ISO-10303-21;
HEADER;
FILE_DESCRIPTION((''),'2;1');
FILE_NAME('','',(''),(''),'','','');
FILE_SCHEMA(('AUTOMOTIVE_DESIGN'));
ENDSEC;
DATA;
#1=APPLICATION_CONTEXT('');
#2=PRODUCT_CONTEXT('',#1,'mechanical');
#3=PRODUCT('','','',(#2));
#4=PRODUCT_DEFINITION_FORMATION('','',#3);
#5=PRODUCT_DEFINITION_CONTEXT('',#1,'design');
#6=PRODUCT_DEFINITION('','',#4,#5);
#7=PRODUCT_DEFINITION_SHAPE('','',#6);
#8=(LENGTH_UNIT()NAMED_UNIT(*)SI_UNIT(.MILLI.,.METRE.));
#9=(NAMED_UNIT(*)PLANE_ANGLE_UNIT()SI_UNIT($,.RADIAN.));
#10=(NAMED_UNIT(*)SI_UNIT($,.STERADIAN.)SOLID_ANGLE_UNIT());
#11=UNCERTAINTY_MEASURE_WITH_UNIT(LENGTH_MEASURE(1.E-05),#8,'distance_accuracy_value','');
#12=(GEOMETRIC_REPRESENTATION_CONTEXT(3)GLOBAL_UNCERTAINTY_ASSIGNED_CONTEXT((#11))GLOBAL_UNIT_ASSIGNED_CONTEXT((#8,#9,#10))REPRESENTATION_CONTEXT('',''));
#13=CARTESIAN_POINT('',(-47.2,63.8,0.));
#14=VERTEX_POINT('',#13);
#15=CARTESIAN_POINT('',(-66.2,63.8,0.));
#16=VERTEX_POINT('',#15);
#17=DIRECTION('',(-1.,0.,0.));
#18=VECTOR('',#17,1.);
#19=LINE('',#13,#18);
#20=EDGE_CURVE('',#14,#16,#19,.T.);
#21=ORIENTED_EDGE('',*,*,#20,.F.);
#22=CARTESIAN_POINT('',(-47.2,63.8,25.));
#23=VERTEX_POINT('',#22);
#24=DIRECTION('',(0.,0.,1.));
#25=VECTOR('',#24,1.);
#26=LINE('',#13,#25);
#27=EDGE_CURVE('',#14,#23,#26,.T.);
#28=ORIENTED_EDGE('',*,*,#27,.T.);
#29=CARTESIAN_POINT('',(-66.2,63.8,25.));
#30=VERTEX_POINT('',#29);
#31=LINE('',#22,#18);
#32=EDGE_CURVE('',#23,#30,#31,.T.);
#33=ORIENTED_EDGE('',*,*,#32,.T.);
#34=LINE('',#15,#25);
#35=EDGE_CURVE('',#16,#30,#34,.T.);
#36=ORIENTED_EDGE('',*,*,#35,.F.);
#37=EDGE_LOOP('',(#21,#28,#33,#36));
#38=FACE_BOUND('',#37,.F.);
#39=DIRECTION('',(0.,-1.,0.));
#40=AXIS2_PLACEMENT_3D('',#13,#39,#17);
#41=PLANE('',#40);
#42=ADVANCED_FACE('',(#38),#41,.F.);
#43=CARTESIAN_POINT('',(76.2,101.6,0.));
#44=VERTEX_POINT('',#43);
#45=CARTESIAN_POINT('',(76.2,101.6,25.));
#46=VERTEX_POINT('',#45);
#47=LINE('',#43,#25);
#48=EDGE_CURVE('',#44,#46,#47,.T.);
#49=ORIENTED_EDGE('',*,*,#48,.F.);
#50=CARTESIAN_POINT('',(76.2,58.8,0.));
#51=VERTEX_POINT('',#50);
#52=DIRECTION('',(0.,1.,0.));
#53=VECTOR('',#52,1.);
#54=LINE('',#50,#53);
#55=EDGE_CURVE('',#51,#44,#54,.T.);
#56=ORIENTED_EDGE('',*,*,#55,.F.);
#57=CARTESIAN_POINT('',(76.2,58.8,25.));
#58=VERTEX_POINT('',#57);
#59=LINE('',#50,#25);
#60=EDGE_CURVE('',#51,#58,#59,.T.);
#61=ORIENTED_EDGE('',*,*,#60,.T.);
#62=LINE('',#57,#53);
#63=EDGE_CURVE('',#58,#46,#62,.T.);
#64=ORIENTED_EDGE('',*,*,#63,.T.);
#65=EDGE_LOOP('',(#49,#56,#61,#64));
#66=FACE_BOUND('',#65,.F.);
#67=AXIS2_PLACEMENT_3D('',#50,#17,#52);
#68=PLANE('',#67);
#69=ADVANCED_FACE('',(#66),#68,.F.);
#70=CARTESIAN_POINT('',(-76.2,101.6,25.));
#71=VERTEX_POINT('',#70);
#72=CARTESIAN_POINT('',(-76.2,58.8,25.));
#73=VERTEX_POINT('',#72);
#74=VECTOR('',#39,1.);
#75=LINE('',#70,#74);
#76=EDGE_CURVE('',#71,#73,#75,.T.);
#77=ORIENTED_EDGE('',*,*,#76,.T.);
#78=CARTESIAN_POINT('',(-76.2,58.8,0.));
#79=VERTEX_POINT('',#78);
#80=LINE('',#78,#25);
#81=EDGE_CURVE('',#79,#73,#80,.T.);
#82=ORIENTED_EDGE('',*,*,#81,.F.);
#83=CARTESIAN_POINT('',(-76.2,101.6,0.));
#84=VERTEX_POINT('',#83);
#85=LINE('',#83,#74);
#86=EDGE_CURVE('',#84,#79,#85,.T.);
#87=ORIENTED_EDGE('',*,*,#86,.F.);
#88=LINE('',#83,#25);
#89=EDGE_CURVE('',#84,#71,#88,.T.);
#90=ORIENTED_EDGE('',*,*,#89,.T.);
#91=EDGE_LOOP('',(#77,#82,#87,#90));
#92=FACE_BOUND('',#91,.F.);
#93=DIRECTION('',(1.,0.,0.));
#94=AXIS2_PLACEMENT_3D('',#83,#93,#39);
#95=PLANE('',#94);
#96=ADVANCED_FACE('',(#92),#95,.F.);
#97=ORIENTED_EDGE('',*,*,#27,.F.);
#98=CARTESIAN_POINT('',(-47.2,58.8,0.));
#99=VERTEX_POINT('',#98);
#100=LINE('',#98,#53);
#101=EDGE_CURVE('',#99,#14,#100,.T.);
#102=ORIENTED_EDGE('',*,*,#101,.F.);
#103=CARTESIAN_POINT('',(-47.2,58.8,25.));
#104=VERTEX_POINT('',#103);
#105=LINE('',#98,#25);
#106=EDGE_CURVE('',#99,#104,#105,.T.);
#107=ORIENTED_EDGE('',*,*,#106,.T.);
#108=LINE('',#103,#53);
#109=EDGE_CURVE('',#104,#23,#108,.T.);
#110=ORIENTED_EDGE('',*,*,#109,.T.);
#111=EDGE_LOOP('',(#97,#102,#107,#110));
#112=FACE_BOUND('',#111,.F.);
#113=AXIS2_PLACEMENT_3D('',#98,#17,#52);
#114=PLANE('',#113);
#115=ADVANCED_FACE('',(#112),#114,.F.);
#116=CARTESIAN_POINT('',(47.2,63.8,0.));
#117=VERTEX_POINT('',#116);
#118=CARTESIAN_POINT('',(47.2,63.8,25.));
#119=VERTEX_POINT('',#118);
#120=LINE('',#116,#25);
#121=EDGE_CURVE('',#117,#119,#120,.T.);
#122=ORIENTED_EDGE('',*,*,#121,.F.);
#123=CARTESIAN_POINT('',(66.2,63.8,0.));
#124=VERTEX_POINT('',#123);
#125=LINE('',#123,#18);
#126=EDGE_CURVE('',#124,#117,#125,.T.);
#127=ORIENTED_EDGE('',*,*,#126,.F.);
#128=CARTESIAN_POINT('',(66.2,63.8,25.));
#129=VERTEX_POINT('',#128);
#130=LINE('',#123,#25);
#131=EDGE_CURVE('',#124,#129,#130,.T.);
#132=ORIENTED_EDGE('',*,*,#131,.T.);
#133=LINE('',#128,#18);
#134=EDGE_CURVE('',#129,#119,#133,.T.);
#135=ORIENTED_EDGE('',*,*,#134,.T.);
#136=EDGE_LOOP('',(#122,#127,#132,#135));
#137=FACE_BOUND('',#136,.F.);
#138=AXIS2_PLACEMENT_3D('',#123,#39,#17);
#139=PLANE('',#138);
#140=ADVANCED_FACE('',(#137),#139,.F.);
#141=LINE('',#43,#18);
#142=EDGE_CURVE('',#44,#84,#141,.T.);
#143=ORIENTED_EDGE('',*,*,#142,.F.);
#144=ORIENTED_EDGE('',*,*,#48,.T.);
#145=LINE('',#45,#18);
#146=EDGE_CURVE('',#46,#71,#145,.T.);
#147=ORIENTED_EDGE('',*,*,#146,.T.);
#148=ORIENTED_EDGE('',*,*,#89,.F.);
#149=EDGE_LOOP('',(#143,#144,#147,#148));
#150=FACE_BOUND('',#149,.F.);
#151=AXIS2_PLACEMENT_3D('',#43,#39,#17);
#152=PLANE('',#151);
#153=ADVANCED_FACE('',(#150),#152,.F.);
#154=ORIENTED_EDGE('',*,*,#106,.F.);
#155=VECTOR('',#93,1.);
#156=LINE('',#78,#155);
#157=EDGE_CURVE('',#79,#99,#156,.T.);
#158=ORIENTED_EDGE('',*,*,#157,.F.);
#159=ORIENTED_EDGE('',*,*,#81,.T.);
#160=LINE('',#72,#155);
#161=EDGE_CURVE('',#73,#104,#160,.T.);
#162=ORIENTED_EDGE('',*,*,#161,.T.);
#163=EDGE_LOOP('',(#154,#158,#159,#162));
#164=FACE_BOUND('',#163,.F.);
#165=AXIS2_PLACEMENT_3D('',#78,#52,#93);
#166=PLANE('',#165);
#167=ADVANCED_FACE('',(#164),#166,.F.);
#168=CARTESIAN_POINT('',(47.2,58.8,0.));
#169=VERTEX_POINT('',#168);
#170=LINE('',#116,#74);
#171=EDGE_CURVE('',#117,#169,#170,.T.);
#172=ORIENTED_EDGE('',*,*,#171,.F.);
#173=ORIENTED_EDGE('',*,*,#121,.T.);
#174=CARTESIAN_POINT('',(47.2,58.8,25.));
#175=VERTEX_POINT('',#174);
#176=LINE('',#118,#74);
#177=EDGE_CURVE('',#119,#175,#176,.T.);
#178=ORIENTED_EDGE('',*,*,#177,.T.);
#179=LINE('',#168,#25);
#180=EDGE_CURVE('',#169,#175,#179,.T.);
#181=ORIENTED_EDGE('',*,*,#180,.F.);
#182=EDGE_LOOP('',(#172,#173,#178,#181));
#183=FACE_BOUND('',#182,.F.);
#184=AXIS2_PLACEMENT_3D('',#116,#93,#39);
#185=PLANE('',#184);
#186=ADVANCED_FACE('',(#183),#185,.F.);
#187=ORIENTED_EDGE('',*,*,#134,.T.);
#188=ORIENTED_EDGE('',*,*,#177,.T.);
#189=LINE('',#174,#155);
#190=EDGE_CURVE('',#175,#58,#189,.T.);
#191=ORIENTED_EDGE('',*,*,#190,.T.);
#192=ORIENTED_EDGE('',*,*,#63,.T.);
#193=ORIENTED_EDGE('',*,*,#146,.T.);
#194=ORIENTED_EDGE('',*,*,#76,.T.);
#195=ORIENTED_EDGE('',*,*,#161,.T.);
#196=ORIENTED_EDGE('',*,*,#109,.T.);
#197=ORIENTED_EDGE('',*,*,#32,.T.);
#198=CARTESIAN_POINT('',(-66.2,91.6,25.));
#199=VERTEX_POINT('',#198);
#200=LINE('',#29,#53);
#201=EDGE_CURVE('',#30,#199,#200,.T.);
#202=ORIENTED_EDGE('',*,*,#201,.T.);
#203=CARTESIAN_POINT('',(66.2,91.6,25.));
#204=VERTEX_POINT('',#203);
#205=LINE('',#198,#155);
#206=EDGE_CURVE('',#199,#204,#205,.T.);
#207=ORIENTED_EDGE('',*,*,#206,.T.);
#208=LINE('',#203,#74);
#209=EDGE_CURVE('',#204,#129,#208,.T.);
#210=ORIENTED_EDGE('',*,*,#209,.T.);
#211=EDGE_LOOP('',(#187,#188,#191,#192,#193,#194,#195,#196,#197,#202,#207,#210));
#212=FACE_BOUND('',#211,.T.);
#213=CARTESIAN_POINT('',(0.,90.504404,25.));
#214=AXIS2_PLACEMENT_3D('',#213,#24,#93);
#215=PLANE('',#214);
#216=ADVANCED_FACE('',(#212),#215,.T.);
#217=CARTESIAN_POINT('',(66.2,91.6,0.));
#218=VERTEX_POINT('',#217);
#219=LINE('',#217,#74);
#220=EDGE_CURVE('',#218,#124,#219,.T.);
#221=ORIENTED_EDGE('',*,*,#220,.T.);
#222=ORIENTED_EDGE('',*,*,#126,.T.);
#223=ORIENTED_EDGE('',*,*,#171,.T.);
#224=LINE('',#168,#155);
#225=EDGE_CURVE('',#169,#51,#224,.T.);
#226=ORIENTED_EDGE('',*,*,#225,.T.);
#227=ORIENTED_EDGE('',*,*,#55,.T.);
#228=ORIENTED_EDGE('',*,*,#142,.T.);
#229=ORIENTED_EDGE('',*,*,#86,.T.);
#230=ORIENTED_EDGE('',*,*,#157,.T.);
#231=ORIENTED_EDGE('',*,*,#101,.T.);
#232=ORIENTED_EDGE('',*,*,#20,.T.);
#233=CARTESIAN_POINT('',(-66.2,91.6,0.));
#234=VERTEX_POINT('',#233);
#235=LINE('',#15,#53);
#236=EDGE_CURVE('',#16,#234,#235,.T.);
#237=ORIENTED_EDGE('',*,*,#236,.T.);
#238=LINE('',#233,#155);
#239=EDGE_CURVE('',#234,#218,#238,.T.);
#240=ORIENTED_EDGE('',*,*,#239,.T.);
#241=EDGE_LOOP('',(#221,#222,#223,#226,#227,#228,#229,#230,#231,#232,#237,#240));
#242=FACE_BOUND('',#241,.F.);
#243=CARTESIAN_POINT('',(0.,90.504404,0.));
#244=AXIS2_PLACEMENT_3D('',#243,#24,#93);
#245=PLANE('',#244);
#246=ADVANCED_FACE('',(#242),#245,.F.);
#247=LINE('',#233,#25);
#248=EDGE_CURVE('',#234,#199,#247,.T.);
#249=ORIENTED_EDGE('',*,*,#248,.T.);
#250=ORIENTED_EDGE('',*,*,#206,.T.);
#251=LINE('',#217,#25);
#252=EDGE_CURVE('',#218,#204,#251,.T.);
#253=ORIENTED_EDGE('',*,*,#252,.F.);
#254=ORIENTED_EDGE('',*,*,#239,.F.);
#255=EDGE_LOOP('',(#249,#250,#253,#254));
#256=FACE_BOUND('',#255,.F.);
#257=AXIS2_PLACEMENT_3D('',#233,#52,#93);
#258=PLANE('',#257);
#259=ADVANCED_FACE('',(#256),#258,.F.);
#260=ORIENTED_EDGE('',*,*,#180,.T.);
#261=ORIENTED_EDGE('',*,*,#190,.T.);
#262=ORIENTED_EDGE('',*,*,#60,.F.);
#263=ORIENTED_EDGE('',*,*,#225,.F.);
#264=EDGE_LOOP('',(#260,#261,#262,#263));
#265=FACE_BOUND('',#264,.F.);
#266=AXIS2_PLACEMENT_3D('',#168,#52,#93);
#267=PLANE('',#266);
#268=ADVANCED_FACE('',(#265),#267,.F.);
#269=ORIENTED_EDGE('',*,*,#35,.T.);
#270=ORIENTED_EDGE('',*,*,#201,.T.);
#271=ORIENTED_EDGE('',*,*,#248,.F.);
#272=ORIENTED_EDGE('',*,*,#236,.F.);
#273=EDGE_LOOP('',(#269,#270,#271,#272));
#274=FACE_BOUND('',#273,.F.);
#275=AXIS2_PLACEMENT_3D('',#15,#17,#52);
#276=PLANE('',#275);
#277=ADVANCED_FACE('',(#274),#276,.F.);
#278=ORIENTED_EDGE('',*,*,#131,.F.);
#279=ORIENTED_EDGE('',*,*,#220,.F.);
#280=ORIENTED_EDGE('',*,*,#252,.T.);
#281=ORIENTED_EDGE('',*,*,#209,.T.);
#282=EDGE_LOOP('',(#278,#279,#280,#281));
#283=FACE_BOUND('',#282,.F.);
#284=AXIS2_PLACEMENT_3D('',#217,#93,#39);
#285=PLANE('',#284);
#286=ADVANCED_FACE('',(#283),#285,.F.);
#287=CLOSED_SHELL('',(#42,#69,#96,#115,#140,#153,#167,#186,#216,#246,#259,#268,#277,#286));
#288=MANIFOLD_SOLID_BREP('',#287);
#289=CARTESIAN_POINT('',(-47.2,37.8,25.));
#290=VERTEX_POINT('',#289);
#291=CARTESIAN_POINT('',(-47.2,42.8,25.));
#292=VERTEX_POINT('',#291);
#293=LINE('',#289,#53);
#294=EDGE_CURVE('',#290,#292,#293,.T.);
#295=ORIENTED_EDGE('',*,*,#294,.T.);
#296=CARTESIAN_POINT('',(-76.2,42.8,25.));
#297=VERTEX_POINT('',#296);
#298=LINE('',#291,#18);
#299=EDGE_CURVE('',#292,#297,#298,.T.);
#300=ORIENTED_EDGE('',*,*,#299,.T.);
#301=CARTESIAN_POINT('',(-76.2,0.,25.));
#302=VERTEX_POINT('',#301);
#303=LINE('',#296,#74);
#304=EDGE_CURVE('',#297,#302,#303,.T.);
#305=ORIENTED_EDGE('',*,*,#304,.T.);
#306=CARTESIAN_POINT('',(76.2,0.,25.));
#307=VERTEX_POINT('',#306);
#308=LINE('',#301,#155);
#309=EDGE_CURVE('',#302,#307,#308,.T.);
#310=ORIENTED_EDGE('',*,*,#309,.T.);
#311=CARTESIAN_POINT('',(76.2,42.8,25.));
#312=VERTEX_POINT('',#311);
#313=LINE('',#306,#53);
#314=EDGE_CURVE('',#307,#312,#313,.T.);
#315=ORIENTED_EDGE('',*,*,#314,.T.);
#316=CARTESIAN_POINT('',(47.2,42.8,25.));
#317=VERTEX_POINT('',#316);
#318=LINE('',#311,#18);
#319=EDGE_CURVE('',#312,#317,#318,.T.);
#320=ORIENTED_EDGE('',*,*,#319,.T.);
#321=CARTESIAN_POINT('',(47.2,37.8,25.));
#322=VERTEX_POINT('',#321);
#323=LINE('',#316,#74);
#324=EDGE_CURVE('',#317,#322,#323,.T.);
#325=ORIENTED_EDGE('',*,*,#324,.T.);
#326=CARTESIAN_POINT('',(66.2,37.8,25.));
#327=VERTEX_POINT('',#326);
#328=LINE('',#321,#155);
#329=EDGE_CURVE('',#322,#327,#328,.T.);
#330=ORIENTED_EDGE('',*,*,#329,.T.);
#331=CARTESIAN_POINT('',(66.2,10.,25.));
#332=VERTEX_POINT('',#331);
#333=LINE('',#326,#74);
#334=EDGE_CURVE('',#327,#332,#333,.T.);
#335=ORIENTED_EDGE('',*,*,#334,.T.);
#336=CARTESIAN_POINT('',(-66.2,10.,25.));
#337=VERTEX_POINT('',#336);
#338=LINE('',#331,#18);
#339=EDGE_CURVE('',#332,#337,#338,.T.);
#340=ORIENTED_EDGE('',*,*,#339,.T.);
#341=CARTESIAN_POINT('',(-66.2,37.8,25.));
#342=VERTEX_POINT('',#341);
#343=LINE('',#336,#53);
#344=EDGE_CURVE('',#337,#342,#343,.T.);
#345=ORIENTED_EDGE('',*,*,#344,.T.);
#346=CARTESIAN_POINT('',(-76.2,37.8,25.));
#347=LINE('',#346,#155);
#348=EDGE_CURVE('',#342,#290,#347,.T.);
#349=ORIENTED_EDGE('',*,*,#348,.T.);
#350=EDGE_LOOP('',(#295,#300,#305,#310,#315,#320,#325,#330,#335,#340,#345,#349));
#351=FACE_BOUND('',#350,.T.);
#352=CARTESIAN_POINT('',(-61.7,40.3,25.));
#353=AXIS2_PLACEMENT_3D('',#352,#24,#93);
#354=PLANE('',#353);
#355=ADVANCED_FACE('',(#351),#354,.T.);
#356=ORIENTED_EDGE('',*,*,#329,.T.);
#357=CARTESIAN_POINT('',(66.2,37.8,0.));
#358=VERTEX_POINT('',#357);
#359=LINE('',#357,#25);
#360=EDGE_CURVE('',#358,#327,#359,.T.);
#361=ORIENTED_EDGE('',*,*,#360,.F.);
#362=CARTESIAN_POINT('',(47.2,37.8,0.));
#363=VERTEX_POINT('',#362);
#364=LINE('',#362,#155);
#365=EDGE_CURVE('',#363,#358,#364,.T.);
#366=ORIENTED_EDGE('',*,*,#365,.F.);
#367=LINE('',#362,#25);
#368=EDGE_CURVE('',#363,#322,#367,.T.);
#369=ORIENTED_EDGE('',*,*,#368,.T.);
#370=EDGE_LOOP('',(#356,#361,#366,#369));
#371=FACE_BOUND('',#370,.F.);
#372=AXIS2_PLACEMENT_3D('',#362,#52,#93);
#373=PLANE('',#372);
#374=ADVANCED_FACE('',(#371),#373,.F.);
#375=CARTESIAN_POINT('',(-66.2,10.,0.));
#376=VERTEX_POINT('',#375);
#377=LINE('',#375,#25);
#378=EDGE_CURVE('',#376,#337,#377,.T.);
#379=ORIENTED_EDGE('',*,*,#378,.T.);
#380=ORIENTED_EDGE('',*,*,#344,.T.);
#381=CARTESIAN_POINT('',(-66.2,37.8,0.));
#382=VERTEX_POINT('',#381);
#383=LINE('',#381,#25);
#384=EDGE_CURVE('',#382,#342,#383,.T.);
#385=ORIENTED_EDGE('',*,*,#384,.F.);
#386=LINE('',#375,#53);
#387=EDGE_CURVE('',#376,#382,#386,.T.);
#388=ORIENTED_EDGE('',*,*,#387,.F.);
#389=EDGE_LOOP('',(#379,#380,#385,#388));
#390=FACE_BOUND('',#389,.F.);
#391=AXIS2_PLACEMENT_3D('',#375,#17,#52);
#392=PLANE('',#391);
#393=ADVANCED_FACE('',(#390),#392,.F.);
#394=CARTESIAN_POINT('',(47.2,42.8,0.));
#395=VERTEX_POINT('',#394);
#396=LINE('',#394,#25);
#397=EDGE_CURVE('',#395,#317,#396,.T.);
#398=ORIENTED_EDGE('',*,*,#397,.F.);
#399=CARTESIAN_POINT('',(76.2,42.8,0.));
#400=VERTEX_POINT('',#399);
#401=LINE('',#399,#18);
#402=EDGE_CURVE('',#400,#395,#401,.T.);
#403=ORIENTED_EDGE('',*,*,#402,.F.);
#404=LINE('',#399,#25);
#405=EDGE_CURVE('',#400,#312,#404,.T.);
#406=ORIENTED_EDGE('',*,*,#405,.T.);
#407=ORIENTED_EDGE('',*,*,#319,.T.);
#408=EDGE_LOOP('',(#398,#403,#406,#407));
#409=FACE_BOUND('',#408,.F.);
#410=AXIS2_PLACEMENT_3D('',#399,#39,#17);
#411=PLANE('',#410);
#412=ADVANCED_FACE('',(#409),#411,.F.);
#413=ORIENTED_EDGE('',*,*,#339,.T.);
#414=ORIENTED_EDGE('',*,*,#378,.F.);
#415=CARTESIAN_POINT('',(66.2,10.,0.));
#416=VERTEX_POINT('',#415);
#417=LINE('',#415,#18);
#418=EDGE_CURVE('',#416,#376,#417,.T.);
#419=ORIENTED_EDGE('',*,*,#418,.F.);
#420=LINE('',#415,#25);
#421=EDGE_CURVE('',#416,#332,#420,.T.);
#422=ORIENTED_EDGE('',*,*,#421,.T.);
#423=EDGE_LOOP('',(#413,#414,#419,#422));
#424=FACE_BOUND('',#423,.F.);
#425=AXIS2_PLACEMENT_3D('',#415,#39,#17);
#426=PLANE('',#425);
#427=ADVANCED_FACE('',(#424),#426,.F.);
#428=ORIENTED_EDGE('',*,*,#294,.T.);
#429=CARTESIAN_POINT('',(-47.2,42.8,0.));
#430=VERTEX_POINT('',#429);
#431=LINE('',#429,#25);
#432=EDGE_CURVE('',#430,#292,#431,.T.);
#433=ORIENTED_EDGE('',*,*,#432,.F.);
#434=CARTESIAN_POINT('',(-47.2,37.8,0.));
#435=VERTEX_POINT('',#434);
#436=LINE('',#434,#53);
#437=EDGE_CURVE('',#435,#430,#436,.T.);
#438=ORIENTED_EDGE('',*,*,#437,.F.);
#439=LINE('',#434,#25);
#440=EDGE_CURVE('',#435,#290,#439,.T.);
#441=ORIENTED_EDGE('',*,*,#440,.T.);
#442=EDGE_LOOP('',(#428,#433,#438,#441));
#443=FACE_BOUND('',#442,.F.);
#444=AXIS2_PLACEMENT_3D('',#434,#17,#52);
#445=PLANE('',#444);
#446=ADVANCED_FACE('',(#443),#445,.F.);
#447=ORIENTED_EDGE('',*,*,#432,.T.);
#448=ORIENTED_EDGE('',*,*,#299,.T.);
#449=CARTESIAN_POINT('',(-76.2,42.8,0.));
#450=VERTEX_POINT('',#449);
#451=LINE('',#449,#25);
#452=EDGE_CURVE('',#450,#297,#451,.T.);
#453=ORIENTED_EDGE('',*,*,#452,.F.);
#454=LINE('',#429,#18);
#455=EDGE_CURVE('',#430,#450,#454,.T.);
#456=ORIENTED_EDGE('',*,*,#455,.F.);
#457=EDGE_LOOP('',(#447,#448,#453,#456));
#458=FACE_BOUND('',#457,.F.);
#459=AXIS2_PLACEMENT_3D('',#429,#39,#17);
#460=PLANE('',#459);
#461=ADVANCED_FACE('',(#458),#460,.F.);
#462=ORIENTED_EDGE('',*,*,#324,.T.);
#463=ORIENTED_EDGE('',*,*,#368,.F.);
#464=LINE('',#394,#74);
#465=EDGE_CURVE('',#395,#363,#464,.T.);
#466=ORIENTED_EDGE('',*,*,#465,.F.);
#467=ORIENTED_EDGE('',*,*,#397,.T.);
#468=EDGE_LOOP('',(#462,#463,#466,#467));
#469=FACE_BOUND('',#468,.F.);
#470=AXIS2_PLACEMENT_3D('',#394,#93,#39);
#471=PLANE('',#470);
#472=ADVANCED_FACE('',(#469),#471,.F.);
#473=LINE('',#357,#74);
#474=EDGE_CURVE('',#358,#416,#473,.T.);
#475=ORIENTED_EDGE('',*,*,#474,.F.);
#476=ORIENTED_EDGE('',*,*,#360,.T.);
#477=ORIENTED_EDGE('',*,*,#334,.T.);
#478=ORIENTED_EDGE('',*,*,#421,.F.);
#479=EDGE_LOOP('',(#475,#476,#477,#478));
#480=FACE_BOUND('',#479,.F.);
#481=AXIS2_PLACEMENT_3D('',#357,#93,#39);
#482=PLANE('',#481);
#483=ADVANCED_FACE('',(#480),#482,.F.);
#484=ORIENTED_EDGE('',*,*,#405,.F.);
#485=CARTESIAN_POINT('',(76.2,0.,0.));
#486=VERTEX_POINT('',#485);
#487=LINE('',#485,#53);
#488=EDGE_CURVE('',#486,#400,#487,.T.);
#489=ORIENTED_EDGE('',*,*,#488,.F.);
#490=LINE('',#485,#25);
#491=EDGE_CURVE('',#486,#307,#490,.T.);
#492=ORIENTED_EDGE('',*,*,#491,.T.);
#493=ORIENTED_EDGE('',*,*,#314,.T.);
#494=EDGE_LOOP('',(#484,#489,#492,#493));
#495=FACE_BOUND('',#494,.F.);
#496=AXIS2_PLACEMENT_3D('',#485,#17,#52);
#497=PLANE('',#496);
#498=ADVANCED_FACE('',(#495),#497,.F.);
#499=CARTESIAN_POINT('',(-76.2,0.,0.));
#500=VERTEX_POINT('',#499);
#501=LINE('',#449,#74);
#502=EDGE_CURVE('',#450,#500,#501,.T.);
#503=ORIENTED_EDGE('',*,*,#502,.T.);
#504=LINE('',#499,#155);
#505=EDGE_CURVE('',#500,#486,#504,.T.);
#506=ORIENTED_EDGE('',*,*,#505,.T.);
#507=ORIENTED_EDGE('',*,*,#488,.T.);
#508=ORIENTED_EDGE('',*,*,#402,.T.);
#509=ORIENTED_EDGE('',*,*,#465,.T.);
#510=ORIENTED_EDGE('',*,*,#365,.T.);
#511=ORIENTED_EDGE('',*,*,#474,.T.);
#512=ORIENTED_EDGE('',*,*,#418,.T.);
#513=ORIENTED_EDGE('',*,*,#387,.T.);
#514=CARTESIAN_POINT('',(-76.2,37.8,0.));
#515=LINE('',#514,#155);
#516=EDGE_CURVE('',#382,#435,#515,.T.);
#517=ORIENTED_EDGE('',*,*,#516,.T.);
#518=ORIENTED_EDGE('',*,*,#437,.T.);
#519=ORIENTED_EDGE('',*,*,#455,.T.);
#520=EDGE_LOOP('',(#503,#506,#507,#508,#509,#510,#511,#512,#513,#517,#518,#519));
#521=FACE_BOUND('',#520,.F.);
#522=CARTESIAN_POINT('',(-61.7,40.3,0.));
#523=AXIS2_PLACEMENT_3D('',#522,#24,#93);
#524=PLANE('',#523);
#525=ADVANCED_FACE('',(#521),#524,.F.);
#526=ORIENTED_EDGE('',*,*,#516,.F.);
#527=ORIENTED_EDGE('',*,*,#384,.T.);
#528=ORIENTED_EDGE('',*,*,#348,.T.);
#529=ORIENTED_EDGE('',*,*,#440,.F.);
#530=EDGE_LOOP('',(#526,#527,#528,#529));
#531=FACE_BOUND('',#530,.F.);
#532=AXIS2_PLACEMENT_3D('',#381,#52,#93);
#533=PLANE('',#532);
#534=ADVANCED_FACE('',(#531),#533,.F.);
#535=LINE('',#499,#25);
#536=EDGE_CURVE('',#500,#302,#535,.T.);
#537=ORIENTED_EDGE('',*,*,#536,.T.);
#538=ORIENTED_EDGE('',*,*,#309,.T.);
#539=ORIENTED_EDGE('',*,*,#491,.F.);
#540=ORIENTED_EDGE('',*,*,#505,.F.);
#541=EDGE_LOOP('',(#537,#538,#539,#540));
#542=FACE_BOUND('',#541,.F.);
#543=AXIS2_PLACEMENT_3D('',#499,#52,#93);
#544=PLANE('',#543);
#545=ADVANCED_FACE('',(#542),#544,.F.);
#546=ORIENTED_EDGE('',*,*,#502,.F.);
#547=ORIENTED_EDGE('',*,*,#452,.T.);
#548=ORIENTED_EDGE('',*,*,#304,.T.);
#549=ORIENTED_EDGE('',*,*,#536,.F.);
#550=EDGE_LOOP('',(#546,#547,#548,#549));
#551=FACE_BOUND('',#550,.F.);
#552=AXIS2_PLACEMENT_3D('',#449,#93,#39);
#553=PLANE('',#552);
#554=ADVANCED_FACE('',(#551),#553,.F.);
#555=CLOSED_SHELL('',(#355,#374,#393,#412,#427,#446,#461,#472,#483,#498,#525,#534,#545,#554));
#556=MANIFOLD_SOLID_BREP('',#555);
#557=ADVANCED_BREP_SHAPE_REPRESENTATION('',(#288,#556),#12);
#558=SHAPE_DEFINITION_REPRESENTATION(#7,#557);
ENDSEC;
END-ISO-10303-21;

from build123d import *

# Parameters (mm, degrees)
F1_DEPTH = 25


with BuildPart() as f1:
    # F0 (on Top) → F1 (new body)
    with BuildSketch(Plane.XY):
        Polygon((-76.2, 101.6), (-76.2, 63.8), (-66.2, 63.8), (-66.2, 91.6), (66.2, 91.6), (66.2, 63.8), (76.2, 63.8), (76.2, 101.6), align=None)
        Polygon((-76.2, 63.8), (-76.2, 58.8), (-47.2, 58.8), (-47.2, 63.8), (-66.2, 63.8), align=None)
        Polygon((-76.2, 42.8), (-76.2, 37.8), (-66.2, 37.8), (-47.2, 37.8), (-47.2, 42.8), align=None)
        Polygon((-76.2, 37.8), (-76.2, 0), (76.2, 0), (76.2, 37.8), (66.2, 37.8), (66.2, 10), (-66.2, 10), (-66.2, 37.8), align=None)
        Polygon((47.2, 58.8), (76.2, 58.8), (76.2, 63.8), (66.2, 63.8), (47.2, 63.8), align=None)
        Polygon((66.2, 37.8), (76.2, 37.8), (76.2, 42.8), (47.2, 42.8), (47.2, 37.8), align=None)
    extrude(amount=F1_DEPTH)


solid = f1.part
